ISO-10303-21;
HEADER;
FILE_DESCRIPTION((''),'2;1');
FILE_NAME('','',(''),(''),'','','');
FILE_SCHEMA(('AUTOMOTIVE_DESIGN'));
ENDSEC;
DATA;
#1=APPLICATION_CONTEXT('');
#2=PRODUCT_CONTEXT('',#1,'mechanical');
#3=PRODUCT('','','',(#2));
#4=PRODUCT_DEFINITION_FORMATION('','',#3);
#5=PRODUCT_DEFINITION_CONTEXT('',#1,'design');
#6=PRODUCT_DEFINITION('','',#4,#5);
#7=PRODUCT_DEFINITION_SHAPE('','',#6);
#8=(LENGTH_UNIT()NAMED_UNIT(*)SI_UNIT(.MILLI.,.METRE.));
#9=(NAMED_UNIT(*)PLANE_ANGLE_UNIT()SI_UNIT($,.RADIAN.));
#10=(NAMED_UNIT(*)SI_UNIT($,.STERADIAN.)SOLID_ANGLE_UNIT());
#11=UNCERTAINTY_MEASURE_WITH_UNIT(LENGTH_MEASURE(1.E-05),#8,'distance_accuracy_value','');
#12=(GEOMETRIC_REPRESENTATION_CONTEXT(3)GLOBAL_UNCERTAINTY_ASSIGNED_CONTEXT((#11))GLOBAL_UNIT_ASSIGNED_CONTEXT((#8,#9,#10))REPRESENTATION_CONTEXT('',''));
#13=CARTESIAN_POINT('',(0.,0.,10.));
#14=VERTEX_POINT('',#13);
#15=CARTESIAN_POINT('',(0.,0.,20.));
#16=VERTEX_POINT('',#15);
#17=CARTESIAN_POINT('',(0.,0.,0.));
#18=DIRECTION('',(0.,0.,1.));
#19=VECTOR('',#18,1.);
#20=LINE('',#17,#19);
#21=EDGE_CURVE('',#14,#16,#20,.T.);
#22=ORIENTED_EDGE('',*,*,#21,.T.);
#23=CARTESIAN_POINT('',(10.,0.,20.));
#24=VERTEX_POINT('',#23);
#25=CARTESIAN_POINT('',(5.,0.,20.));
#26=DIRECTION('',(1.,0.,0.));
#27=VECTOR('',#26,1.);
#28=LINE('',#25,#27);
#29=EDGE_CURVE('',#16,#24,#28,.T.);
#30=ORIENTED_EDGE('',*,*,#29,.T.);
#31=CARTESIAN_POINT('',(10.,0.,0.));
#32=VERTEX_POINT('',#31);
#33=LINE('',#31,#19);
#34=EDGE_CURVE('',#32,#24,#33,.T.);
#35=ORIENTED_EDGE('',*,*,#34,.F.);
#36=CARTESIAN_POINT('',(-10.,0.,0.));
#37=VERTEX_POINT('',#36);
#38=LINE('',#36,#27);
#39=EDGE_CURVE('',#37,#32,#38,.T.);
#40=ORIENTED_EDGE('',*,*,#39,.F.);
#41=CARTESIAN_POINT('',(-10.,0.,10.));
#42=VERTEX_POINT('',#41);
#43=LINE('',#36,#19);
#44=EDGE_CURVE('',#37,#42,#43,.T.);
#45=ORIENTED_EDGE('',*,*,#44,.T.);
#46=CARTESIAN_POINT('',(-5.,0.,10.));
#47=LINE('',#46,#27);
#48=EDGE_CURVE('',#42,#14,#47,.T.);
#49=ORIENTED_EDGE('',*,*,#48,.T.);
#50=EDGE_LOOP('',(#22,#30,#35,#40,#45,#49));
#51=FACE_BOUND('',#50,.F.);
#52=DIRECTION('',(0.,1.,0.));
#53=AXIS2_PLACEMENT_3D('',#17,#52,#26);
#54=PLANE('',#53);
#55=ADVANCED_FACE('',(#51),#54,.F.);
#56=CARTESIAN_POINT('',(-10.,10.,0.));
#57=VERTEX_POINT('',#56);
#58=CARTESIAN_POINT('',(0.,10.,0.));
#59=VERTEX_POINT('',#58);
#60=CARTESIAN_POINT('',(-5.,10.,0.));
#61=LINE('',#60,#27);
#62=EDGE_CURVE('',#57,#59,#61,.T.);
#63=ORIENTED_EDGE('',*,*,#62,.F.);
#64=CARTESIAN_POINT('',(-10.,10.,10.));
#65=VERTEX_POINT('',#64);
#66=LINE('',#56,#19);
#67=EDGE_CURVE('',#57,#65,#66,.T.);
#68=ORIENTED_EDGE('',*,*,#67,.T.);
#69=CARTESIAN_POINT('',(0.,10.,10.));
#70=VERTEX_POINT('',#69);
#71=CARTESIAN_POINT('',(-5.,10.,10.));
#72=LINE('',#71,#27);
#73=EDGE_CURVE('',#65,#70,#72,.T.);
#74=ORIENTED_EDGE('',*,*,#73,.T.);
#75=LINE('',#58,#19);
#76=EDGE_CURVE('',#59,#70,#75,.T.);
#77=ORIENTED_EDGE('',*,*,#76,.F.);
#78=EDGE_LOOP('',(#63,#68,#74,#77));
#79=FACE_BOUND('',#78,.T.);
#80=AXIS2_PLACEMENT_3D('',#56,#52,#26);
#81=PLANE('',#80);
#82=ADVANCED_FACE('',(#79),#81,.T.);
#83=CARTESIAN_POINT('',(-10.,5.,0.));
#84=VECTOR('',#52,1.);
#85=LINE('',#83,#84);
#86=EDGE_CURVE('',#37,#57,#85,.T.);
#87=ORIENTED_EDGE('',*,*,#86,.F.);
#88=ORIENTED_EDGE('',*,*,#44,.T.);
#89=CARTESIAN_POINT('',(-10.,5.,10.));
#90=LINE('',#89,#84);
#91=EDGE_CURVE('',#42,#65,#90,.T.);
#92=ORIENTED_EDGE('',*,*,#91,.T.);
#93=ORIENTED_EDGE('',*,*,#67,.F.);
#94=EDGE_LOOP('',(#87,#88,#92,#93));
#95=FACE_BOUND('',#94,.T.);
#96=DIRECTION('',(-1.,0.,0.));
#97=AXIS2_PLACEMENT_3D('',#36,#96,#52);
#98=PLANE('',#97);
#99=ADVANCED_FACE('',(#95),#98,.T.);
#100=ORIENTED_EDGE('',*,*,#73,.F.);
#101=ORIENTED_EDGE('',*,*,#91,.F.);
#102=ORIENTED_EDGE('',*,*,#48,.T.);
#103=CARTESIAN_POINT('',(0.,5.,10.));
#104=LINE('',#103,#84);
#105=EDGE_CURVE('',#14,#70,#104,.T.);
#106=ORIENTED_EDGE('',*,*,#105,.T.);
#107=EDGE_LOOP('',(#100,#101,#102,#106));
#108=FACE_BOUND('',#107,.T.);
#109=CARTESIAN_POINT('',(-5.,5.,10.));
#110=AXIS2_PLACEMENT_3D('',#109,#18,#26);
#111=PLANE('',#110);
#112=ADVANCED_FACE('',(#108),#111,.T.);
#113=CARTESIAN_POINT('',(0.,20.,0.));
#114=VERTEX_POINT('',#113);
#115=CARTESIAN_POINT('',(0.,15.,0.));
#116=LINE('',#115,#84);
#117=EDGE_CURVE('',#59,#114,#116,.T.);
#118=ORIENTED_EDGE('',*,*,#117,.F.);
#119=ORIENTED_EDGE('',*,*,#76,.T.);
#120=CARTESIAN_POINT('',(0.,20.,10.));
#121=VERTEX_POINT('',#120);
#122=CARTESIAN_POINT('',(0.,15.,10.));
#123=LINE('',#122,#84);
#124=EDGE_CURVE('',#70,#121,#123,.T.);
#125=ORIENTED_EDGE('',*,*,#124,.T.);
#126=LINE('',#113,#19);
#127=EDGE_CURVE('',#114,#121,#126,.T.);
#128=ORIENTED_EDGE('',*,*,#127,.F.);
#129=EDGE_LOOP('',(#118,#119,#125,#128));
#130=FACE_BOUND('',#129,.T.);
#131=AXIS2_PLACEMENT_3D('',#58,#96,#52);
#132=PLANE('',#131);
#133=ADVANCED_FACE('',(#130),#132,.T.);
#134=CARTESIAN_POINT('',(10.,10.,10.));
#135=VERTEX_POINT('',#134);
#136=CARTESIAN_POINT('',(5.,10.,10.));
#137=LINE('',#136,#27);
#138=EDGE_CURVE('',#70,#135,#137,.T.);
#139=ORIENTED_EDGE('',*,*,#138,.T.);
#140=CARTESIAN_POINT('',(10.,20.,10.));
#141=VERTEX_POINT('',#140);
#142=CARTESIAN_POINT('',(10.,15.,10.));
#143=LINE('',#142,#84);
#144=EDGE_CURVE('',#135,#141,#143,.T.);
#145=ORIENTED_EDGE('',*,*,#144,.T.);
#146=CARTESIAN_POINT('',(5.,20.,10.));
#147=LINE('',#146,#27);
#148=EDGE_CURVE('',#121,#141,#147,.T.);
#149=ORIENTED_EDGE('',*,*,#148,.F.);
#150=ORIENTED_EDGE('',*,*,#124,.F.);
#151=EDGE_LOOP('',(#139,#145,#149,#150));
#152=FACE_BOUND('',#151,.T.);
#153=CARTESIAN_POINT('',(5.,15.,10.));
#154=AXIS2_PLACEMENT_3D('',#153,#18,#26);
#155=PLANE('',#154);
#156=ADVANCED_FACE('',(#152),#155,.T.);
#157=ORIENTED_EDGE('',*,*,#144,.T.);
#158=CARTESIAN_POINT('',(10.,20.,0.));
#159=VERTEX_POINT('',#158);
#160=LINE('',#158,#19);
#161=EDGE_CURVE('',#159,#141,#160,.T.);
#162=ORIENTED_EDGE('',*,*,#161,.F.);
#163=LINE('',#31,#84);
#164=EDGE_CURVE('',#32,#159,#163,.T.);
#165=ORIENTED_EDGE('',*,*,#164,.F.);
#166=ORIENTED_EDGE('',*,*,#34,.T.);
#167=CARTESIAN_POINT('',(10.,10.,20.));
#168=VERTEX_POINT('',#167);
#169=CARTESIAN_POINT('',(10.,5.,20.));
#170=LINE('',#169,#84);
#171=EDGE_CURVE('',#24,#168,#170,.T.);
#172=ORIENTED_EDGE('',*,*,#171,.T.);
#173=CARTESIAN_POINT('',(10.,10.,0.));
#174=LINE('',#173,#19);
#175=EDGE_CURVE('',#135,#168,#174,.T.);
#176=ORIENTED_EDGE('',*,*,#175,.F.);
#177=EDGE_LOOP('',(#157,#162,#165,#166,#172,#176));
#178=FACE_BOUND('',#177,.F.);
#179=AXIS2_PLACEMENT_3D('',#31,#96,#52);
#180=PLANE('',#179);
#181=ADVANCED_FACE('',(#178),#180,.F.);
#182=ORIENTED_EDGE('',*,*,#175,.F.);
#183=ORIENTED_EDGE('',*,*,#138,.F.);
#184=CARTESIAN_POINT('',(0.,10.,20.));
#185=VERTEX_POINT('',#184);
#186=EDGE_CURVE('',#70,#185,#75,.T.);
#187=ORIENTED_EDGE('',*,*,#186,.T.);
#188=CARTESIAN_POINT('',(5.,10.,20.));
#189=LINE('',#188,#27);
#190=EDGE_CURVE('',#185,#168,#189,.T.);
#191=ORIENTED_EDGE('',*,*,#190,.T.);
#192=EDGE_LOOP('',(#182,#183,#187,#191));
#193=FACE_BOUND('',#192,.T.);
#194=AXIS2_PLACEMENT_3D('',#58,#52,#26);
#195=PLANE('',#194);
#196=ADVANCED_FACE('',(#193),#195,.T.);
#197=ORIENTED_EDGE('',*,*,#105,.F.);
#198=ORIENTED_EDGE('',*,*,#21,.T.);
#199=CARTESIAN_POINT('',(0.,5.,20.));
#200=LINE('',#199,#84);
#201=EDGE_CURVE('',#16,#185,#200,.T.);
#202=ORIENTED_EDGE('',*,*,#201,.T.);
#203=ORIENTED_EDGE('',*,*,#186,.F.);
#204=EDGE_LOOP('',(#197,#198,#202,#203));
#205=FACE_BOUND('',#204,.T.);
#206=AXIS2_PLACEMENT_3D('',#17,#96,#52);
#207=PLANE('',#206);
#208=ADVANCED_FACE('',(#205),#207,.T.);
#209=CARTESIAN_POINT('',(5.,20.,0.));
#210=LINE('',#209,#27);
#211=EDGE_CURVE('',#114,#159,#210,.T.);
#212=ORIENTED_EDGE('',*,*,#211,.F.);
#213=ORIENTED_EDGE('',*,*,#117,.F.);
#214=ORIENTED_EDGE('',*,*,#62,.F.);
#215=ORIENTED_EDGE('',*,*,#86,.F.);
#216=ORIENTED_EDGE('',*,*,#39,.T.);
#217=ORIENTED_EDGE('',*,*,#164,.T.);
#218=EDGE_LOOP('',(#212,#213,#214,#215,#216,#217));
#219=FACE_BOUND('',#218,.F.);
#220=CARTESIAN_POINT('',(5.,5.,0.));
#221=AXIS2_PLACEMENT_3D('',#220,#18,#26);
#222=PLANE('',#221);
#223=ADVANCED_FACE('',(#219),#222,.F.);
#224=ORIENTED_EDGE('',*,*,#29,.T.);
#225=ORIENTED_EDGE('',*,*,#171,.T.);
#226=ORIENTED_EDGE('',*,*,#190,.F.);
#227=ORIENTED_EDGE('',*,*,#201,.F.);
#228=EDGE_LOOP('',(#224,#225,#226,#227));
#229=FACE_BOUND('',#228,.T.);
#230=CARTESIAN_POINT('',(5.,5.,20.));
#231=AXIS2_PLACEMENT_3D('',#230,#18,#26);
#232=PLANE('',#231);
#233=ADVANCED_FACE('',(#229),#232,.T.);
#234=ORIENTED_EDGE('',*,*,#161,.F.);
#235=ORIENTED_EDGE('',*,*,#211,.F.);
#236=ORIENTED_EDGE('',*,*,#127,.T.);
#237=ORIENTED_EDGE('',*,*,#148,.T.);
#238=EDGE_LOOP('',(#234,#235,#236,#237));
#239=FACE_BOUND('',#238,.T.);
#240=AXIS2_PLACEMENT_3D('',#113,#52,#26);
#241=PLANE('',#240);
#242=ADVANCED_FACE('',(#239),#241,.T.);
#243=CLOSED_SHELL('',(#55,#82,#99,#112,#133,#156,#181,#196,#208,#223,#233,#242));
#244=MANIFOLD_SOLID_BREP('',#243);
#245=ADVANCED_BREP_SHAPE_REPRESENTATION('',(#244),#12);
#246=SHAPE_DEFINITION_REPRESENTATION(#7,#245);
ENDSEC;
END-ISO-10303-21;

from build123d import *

# Parameters (mm, degrees)
BOX001_W     = 10
BOX001_H     = 10
BOX001_DEPTH = 10
BOX002_W     = 10
BOX002_H     = 10
BOX002_DEPTH = 20
BOX_W        = 10
BOX_H        = 10
BOX_DEPTH    = 10


with BuildPart() as cub001:
    # Box001 → Box001 (new body)
    with BuildSketch(Plane(origin=(0, 10, 0), x_dir=(1, 0, 0), z_dir=(0, 0, 1))):
        with Locations((5, 5)):
            Rectangle(BOX001_W, BOX001_H)
    extrude(amount=BOX001_DEPTH)


with BuildPart() as cub002:
    # Box002 → Box002 (new body)
    with BuildSketch(Plane.XY):
        with Locations((5, 5)):
            Rectangle(BOX002_W, BOX002_H)
    extrude(amount=BOX002_DEPTH)


with BuildPart() as fusion:
    # Box → Box (new body)
    with BuildSketch(Plane(origin=(-10, 0, 0), x_dir=(1, 0, 0), z_dir=(0, 0, 1))):
        with Locations((5, 5)):
            Rectangle(BOX_W, BOX_H)
    extrude(amount=BOX_DEPTH)

    # Fusion: union Cub001, Cub002
    add(cub001.part)
    add(cub002.part)


solid = fusion.part
